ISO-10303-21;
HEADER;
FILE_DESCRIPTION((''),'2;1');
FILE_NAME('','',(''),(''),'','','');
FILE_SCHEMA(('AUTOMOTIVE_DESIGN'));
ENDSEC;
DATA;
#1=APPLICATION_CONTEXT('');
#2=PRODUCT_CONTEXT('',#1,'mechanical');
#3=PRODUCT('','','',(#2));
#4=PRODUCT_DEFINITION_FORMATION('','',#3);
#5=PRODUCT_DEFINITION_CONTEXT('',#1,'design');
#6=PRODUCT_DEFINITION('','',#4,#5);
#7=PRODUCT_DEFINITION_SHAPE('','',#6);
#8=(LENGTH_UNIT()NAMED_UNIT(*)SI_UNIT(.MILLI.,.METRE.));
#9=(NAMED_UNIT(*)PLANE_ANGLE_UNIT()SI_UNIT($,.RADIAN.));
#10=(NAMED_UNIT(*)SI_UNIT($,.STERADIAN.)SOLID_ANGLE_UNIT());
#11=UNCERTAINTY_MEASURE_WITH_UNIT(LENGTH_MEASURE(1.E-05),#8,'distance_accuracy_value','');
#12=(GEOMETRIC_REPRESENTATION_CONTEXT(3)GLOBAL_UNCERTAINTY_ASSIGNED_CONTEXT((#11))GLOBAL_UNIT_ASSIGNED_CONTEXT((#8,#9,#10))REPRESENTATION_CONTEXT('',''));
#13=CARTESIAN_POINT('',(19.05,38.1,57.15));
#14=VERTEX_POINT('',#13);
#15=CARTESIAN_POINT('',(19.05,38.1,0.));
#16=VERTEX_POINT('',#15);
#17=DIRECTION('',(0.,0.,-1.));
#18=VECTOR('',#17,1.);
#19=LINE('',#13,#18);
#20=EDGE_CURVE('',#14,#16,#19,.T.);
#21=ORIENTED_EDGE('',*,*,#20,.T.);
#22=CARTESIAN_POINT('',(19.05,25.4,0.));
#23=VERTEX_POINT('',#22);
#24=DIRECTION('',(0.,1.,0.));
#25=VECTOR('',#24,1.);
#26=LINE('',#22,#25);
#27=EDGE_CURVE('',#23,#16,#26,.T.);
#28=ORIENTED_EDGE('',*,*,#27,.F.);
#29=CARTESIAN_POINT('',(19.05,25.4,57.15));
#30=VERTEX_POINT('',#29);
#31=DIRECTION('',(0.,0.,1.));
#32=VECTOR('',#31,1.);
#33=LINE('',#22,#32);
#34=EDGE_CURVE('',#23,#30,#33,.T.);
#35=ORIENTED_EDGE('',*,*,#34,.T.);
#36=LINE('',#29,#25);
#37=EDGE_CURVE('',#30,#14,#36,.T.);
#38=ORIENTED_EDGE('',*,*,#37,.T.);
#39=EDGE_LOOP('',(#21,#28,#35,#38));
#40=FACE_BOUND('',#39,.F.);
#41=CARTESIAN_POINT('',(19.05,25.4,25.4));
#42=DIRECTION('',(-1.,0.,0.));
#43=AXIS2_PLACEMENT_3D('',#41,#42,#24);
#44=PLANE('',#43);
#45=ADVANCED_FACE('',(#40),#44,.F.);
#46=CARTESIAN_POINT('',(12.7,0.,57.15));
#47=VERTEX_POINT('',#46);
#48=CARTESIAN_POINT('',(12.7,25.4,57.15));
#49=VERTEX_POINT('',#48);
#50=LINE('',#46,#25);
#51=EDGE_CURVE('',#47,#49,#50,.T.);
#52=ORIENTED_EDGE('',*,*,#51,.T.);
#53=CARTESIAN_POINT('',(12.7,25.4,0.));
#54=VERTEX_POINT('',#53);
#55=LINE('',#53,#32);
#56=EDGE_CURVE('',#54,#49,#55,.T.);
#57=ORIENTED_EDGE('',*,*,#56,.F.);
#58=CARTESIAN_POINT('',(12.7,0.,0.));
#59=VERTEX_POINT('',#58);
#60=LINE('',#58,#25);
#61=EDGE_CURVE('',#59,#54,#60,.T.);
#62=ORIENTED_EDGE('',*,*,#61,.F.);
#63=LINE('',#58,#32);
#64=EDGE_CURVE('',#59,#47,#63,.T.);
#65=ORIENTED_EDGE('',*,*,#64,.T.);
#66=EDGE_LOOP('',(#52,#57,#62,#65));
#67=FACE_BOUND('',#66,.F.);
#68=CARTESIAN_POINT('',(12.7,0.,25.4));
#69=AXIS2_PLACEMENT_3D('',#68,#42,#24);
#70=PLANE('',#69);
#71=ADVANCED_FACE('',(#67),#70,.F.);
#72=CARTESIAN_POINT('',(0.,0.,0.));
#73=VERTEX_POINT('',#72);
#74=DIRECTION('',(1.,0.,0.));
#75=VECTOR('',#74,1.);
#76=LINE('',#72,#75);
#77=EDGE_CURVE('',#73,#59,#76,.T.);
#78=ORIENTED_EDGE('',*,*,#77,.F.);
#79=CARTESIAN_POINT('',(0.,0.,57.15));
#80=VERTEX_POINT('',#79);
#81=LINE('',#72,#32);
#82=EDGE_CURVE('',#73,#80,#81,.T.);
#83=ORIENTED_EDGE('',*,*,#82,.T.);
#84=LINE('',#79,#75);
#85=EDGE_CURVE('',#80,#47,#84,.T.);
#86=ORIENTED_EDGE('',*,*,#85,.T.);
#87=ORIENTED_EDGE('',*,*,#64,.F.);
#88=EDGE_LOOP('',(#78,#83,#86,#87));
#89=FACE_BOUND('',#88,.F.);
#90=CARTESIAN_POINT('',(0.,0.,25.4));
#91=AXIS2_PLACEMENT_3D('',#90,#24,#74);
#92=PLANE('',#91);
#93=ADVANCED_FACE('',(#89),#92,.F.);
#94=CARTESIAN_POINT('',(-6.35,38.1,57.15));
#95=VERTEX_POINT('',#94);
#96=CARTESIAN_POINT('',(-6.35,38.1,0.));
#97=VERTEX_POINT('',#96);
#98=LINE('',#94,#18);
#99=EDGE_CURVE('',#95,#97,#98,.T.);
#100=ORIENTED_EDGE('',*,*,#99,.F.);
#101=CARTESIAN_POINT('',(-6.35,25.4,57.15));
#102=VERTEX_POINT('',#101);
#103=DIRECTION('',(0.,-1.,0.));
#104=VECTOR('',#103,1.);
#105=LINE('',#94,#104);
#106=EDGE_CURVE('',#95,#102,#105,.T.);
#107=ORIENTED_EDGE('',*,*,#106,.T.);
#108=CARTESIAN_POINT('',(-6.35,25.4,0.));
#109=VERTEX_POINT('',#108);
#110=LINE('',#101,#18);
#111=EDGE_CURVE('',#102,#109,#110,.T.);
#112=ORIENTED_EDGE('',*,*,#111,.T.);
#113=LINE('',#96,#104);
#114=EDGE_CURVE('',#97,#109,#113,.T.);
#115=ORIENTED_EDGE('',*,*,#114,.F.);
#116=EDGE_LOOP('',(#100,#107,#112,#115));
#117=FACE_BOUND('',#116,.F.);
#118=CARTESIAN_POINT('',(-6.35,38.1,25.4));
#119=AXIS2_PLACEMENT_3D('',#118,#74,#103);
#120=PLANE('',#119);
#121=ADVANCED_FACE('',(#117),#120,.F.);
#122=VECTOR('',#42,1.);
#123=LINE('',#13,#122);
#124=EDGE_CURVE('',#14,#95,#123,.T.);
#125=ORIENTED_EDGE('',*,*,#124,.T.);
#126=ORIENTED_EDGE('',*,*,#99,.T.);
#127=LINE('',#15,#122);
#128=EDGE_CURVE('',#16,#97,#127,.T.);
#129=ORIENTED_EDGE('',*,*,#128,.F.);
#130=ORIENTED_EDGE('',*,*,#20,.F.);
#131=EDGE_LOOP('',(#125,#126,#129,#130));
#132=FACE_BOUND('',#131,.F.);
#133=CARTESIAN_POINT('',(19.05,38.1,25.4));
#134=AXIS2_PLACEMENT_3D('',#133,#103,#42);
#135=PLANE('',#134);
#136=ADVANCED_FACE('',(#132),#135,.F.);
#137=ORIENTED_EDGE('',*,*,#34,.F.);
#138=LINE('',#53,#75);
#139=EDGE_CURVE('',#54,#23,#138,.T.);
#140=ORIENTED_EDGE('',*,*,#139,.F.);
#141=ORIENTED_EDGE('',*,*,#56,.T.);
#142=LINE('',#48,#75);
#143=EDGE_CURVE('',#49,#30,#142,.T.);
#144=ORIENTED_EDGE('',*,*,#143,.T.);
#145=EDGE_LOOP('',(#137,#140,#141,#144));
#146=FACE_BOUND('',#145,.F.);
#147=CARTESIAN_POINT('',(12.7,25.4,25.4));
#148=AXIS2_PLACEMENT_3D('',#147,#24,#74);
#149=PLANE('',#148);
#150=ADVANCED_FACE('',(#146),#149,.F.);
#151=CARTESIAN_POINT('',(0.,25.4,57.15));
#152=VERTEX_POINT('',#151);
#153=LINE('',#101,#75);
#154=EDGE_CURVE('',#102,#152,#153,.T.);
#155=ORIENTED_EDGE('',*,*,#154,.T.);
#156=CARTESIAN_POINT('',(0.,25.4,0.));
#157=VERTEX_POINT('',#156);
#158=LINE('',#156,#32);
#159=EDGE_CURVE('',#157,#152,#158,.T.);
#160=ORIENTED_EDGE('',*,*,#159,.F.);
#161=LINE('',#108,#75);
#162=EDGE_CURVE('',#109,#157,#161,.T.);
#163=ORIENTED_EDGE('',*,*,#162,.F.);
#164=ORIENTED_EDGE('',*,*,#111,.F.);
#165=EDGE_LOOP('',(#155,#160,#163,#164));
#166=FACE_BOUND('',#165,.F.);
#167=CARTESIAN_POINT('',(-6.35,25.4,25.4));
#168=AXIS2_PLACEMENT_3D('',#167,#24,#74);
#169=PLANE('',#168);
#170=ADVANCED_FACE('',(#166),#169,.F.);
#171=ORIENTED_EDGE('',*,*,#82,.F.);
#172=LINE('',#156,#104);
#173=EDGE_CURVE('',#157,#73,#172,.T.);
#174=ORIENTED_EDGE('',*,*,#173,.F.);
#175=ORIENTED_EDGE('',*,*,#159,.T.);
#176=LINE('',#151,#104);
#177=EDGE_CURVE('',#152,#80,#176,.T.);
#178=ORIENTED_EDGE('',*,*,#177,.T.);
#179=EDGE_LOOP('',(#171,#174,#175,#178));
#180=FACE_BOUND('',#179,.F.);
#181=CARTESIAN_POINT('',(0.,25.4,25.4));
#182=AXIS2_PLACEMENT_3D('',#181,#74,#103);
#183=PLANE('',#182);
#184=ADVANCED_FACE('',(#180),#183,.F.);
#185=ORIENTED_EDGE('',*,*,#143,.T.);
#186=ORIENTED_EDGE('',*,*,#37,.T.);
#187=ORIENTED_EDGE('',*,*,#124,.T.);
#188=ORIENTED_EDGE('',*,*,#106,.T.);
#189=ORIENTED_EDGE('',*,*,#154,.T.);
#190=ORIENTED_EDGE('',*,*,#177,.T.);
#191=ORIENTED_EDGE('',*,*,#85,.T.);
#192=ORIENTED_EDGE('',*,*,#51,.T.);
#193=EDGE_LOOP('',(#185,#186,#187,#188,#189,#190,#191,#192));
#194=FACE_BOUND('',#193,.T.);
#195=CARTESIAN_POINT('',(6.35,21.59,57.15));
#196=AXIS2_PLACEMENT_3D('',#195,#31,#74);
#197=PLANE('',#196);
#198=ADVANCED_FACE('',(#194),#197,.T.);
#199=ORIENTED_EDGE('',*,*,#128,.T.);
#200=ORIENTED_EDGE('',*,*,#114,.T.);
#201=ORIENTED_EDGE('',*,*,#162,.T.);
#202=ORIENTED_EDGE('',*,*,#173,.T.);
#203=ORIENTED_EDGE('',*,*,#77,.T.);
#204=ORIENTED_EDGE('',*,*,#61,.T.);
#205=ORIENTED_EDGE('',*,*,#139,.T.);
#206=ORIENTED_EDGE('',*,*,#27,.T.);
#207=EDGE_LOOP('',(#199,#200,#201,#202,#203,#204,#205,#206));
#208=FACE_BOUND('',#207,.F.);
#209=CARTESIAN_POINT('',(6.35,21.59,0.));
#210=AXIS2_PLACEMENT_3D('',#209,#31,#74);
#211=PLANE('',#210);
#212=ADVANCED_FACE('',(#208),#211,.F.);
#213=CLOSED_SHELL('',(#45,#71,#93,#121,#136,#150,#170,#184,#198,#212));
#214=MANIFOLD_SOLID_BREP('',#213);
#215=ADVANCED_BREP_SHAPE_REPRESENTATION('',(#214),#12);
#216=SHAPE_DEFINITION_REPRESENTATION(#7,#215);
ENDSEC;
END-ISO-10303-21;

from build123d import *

# Parameters (mm, degrees)
F1_DEPTH = 25.4
F2_DEPTH = 31.75


with BuildPart() as f1:
    # F0 (on Top) → F1 (new body)
    with BuildSketch(Plane.XY):
        Polygon((0, 25.4), (0, 0), (12.7, 0), (12.7, 25.4), (19.05, 25.4), (19.05, 38.1), (-6.35, 38.1), (-6.35, 25.4), align=None)
    extrude(amount=F1_DEPTH)

    # F1_face (on face) → F2 (join)
    with BuildSketch(Plane(origin=(6.35, 22.225, 25.4), x_dir=(1, 0, 0), z_dir=(0, 0, 1))):
        Polygon((-12.7, 3.175), (-6.35, 3.175), (-6.35, -22.225), (6.35, -22.225), (6.35, 3.175), (12.7, 3.175), (12.7, 15.875), (-12.7, 15.875), align=None)
    extrude(amount=F2_DEPTH)


solid = f1.part
